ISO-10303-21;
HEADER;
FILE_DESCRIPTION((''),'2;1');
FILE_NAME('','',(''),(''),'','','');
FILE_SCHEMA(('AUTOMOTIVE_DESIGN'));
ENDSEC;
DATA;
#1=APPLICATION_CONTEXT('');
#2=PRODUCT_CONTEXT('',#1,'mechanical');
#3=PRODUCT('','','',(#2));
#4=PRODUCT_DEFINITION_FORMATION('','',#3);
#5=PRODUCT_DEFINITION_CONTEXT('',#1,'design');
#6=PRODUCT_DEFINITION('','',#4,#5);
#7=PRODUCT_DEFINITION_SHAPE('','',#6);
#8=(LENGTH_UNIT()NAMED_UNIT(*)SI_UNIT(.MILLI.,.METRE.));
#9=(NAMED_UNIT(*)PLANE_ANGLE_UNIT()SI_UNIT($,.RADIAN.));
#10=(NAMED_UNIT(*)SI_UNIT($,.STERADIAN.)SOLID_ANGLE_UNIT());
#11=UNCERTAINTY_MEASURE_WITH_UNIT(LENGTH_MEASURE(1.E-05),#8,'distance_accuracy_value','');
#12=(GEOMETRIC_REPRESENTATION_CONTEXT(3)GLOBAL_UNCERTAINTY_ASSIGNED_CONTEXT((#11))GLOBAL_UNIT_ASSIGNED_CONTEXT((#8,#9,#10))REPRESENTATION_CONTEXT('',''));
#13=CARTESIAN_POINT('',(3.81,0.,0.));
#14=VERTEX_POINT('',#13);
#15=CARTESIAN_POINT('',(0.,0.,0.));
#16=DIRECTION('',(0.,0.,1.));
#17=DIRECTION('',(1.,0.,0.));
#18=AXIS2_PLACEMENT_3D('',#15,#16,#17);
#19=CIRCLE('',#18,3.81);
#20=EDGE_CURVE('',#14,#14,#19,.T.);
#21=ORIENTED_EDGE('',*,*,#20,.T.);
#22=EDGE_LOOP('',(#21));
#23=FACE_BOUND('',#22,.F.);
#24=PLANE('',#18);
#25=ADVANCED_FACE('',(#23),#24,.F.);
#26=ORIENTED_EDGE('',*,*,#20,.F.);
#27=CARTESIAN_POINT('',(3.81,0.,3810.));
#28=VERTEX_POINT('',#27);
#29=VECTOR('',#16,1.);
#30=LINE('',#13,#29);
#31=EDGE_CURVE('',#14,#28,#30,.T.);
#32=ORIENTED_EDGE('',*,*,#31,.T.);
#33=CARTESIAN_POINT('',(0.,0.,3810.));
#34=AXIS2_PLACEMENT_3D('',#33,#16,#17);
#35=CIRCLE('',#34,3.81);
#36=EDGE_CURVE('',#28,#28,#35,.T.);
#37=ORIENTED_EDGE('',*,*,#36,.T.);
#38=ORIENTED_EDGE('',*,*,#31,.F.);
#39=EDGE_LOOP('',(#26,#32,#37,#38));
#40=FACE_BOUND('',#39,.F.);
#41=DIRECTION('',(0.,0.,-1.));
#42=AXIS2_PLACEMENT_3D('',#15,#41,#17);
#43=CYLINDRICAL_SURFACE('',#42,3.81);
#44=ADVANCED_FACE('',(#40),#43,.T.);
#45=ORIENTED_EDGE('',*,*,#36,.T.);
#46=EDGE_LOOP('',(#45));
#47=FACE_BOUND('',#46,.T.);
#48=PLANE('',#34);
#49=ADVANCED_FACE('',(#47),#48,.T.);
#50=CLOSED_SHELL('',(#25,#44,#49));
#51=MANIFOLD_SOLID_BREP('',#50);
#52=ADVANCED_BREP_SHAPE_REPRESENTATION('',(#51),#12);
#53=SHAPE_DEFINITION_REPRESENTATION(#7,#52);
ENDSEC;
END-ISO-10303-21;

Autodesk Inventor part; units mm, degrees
ref_plane "YZ Plane" through (0, 0, 0) normal (1, 0, 0) x (0, 1, 0)
ref_plane "XZ Plane" through (0, 0, 0) normal (0, 1, 0) x (-1, 0, 0)
ref_plane "XY Plane" through (0, 0, 0) normal (0, 0, 1) x (1, 0, 0)
sketch "Sketch1" plane through (0, 0, 0) normal (0, 0, 1) x (1, 0, 0)
  circle A0 centre (0, 0) radius 3.81
  dimension "d0" = 7.62
extrude "Extrusion1" add sketch "Sketch1" along normal blind 3810
properties part number "2p2wl" material "Polyethylene, High Density"
